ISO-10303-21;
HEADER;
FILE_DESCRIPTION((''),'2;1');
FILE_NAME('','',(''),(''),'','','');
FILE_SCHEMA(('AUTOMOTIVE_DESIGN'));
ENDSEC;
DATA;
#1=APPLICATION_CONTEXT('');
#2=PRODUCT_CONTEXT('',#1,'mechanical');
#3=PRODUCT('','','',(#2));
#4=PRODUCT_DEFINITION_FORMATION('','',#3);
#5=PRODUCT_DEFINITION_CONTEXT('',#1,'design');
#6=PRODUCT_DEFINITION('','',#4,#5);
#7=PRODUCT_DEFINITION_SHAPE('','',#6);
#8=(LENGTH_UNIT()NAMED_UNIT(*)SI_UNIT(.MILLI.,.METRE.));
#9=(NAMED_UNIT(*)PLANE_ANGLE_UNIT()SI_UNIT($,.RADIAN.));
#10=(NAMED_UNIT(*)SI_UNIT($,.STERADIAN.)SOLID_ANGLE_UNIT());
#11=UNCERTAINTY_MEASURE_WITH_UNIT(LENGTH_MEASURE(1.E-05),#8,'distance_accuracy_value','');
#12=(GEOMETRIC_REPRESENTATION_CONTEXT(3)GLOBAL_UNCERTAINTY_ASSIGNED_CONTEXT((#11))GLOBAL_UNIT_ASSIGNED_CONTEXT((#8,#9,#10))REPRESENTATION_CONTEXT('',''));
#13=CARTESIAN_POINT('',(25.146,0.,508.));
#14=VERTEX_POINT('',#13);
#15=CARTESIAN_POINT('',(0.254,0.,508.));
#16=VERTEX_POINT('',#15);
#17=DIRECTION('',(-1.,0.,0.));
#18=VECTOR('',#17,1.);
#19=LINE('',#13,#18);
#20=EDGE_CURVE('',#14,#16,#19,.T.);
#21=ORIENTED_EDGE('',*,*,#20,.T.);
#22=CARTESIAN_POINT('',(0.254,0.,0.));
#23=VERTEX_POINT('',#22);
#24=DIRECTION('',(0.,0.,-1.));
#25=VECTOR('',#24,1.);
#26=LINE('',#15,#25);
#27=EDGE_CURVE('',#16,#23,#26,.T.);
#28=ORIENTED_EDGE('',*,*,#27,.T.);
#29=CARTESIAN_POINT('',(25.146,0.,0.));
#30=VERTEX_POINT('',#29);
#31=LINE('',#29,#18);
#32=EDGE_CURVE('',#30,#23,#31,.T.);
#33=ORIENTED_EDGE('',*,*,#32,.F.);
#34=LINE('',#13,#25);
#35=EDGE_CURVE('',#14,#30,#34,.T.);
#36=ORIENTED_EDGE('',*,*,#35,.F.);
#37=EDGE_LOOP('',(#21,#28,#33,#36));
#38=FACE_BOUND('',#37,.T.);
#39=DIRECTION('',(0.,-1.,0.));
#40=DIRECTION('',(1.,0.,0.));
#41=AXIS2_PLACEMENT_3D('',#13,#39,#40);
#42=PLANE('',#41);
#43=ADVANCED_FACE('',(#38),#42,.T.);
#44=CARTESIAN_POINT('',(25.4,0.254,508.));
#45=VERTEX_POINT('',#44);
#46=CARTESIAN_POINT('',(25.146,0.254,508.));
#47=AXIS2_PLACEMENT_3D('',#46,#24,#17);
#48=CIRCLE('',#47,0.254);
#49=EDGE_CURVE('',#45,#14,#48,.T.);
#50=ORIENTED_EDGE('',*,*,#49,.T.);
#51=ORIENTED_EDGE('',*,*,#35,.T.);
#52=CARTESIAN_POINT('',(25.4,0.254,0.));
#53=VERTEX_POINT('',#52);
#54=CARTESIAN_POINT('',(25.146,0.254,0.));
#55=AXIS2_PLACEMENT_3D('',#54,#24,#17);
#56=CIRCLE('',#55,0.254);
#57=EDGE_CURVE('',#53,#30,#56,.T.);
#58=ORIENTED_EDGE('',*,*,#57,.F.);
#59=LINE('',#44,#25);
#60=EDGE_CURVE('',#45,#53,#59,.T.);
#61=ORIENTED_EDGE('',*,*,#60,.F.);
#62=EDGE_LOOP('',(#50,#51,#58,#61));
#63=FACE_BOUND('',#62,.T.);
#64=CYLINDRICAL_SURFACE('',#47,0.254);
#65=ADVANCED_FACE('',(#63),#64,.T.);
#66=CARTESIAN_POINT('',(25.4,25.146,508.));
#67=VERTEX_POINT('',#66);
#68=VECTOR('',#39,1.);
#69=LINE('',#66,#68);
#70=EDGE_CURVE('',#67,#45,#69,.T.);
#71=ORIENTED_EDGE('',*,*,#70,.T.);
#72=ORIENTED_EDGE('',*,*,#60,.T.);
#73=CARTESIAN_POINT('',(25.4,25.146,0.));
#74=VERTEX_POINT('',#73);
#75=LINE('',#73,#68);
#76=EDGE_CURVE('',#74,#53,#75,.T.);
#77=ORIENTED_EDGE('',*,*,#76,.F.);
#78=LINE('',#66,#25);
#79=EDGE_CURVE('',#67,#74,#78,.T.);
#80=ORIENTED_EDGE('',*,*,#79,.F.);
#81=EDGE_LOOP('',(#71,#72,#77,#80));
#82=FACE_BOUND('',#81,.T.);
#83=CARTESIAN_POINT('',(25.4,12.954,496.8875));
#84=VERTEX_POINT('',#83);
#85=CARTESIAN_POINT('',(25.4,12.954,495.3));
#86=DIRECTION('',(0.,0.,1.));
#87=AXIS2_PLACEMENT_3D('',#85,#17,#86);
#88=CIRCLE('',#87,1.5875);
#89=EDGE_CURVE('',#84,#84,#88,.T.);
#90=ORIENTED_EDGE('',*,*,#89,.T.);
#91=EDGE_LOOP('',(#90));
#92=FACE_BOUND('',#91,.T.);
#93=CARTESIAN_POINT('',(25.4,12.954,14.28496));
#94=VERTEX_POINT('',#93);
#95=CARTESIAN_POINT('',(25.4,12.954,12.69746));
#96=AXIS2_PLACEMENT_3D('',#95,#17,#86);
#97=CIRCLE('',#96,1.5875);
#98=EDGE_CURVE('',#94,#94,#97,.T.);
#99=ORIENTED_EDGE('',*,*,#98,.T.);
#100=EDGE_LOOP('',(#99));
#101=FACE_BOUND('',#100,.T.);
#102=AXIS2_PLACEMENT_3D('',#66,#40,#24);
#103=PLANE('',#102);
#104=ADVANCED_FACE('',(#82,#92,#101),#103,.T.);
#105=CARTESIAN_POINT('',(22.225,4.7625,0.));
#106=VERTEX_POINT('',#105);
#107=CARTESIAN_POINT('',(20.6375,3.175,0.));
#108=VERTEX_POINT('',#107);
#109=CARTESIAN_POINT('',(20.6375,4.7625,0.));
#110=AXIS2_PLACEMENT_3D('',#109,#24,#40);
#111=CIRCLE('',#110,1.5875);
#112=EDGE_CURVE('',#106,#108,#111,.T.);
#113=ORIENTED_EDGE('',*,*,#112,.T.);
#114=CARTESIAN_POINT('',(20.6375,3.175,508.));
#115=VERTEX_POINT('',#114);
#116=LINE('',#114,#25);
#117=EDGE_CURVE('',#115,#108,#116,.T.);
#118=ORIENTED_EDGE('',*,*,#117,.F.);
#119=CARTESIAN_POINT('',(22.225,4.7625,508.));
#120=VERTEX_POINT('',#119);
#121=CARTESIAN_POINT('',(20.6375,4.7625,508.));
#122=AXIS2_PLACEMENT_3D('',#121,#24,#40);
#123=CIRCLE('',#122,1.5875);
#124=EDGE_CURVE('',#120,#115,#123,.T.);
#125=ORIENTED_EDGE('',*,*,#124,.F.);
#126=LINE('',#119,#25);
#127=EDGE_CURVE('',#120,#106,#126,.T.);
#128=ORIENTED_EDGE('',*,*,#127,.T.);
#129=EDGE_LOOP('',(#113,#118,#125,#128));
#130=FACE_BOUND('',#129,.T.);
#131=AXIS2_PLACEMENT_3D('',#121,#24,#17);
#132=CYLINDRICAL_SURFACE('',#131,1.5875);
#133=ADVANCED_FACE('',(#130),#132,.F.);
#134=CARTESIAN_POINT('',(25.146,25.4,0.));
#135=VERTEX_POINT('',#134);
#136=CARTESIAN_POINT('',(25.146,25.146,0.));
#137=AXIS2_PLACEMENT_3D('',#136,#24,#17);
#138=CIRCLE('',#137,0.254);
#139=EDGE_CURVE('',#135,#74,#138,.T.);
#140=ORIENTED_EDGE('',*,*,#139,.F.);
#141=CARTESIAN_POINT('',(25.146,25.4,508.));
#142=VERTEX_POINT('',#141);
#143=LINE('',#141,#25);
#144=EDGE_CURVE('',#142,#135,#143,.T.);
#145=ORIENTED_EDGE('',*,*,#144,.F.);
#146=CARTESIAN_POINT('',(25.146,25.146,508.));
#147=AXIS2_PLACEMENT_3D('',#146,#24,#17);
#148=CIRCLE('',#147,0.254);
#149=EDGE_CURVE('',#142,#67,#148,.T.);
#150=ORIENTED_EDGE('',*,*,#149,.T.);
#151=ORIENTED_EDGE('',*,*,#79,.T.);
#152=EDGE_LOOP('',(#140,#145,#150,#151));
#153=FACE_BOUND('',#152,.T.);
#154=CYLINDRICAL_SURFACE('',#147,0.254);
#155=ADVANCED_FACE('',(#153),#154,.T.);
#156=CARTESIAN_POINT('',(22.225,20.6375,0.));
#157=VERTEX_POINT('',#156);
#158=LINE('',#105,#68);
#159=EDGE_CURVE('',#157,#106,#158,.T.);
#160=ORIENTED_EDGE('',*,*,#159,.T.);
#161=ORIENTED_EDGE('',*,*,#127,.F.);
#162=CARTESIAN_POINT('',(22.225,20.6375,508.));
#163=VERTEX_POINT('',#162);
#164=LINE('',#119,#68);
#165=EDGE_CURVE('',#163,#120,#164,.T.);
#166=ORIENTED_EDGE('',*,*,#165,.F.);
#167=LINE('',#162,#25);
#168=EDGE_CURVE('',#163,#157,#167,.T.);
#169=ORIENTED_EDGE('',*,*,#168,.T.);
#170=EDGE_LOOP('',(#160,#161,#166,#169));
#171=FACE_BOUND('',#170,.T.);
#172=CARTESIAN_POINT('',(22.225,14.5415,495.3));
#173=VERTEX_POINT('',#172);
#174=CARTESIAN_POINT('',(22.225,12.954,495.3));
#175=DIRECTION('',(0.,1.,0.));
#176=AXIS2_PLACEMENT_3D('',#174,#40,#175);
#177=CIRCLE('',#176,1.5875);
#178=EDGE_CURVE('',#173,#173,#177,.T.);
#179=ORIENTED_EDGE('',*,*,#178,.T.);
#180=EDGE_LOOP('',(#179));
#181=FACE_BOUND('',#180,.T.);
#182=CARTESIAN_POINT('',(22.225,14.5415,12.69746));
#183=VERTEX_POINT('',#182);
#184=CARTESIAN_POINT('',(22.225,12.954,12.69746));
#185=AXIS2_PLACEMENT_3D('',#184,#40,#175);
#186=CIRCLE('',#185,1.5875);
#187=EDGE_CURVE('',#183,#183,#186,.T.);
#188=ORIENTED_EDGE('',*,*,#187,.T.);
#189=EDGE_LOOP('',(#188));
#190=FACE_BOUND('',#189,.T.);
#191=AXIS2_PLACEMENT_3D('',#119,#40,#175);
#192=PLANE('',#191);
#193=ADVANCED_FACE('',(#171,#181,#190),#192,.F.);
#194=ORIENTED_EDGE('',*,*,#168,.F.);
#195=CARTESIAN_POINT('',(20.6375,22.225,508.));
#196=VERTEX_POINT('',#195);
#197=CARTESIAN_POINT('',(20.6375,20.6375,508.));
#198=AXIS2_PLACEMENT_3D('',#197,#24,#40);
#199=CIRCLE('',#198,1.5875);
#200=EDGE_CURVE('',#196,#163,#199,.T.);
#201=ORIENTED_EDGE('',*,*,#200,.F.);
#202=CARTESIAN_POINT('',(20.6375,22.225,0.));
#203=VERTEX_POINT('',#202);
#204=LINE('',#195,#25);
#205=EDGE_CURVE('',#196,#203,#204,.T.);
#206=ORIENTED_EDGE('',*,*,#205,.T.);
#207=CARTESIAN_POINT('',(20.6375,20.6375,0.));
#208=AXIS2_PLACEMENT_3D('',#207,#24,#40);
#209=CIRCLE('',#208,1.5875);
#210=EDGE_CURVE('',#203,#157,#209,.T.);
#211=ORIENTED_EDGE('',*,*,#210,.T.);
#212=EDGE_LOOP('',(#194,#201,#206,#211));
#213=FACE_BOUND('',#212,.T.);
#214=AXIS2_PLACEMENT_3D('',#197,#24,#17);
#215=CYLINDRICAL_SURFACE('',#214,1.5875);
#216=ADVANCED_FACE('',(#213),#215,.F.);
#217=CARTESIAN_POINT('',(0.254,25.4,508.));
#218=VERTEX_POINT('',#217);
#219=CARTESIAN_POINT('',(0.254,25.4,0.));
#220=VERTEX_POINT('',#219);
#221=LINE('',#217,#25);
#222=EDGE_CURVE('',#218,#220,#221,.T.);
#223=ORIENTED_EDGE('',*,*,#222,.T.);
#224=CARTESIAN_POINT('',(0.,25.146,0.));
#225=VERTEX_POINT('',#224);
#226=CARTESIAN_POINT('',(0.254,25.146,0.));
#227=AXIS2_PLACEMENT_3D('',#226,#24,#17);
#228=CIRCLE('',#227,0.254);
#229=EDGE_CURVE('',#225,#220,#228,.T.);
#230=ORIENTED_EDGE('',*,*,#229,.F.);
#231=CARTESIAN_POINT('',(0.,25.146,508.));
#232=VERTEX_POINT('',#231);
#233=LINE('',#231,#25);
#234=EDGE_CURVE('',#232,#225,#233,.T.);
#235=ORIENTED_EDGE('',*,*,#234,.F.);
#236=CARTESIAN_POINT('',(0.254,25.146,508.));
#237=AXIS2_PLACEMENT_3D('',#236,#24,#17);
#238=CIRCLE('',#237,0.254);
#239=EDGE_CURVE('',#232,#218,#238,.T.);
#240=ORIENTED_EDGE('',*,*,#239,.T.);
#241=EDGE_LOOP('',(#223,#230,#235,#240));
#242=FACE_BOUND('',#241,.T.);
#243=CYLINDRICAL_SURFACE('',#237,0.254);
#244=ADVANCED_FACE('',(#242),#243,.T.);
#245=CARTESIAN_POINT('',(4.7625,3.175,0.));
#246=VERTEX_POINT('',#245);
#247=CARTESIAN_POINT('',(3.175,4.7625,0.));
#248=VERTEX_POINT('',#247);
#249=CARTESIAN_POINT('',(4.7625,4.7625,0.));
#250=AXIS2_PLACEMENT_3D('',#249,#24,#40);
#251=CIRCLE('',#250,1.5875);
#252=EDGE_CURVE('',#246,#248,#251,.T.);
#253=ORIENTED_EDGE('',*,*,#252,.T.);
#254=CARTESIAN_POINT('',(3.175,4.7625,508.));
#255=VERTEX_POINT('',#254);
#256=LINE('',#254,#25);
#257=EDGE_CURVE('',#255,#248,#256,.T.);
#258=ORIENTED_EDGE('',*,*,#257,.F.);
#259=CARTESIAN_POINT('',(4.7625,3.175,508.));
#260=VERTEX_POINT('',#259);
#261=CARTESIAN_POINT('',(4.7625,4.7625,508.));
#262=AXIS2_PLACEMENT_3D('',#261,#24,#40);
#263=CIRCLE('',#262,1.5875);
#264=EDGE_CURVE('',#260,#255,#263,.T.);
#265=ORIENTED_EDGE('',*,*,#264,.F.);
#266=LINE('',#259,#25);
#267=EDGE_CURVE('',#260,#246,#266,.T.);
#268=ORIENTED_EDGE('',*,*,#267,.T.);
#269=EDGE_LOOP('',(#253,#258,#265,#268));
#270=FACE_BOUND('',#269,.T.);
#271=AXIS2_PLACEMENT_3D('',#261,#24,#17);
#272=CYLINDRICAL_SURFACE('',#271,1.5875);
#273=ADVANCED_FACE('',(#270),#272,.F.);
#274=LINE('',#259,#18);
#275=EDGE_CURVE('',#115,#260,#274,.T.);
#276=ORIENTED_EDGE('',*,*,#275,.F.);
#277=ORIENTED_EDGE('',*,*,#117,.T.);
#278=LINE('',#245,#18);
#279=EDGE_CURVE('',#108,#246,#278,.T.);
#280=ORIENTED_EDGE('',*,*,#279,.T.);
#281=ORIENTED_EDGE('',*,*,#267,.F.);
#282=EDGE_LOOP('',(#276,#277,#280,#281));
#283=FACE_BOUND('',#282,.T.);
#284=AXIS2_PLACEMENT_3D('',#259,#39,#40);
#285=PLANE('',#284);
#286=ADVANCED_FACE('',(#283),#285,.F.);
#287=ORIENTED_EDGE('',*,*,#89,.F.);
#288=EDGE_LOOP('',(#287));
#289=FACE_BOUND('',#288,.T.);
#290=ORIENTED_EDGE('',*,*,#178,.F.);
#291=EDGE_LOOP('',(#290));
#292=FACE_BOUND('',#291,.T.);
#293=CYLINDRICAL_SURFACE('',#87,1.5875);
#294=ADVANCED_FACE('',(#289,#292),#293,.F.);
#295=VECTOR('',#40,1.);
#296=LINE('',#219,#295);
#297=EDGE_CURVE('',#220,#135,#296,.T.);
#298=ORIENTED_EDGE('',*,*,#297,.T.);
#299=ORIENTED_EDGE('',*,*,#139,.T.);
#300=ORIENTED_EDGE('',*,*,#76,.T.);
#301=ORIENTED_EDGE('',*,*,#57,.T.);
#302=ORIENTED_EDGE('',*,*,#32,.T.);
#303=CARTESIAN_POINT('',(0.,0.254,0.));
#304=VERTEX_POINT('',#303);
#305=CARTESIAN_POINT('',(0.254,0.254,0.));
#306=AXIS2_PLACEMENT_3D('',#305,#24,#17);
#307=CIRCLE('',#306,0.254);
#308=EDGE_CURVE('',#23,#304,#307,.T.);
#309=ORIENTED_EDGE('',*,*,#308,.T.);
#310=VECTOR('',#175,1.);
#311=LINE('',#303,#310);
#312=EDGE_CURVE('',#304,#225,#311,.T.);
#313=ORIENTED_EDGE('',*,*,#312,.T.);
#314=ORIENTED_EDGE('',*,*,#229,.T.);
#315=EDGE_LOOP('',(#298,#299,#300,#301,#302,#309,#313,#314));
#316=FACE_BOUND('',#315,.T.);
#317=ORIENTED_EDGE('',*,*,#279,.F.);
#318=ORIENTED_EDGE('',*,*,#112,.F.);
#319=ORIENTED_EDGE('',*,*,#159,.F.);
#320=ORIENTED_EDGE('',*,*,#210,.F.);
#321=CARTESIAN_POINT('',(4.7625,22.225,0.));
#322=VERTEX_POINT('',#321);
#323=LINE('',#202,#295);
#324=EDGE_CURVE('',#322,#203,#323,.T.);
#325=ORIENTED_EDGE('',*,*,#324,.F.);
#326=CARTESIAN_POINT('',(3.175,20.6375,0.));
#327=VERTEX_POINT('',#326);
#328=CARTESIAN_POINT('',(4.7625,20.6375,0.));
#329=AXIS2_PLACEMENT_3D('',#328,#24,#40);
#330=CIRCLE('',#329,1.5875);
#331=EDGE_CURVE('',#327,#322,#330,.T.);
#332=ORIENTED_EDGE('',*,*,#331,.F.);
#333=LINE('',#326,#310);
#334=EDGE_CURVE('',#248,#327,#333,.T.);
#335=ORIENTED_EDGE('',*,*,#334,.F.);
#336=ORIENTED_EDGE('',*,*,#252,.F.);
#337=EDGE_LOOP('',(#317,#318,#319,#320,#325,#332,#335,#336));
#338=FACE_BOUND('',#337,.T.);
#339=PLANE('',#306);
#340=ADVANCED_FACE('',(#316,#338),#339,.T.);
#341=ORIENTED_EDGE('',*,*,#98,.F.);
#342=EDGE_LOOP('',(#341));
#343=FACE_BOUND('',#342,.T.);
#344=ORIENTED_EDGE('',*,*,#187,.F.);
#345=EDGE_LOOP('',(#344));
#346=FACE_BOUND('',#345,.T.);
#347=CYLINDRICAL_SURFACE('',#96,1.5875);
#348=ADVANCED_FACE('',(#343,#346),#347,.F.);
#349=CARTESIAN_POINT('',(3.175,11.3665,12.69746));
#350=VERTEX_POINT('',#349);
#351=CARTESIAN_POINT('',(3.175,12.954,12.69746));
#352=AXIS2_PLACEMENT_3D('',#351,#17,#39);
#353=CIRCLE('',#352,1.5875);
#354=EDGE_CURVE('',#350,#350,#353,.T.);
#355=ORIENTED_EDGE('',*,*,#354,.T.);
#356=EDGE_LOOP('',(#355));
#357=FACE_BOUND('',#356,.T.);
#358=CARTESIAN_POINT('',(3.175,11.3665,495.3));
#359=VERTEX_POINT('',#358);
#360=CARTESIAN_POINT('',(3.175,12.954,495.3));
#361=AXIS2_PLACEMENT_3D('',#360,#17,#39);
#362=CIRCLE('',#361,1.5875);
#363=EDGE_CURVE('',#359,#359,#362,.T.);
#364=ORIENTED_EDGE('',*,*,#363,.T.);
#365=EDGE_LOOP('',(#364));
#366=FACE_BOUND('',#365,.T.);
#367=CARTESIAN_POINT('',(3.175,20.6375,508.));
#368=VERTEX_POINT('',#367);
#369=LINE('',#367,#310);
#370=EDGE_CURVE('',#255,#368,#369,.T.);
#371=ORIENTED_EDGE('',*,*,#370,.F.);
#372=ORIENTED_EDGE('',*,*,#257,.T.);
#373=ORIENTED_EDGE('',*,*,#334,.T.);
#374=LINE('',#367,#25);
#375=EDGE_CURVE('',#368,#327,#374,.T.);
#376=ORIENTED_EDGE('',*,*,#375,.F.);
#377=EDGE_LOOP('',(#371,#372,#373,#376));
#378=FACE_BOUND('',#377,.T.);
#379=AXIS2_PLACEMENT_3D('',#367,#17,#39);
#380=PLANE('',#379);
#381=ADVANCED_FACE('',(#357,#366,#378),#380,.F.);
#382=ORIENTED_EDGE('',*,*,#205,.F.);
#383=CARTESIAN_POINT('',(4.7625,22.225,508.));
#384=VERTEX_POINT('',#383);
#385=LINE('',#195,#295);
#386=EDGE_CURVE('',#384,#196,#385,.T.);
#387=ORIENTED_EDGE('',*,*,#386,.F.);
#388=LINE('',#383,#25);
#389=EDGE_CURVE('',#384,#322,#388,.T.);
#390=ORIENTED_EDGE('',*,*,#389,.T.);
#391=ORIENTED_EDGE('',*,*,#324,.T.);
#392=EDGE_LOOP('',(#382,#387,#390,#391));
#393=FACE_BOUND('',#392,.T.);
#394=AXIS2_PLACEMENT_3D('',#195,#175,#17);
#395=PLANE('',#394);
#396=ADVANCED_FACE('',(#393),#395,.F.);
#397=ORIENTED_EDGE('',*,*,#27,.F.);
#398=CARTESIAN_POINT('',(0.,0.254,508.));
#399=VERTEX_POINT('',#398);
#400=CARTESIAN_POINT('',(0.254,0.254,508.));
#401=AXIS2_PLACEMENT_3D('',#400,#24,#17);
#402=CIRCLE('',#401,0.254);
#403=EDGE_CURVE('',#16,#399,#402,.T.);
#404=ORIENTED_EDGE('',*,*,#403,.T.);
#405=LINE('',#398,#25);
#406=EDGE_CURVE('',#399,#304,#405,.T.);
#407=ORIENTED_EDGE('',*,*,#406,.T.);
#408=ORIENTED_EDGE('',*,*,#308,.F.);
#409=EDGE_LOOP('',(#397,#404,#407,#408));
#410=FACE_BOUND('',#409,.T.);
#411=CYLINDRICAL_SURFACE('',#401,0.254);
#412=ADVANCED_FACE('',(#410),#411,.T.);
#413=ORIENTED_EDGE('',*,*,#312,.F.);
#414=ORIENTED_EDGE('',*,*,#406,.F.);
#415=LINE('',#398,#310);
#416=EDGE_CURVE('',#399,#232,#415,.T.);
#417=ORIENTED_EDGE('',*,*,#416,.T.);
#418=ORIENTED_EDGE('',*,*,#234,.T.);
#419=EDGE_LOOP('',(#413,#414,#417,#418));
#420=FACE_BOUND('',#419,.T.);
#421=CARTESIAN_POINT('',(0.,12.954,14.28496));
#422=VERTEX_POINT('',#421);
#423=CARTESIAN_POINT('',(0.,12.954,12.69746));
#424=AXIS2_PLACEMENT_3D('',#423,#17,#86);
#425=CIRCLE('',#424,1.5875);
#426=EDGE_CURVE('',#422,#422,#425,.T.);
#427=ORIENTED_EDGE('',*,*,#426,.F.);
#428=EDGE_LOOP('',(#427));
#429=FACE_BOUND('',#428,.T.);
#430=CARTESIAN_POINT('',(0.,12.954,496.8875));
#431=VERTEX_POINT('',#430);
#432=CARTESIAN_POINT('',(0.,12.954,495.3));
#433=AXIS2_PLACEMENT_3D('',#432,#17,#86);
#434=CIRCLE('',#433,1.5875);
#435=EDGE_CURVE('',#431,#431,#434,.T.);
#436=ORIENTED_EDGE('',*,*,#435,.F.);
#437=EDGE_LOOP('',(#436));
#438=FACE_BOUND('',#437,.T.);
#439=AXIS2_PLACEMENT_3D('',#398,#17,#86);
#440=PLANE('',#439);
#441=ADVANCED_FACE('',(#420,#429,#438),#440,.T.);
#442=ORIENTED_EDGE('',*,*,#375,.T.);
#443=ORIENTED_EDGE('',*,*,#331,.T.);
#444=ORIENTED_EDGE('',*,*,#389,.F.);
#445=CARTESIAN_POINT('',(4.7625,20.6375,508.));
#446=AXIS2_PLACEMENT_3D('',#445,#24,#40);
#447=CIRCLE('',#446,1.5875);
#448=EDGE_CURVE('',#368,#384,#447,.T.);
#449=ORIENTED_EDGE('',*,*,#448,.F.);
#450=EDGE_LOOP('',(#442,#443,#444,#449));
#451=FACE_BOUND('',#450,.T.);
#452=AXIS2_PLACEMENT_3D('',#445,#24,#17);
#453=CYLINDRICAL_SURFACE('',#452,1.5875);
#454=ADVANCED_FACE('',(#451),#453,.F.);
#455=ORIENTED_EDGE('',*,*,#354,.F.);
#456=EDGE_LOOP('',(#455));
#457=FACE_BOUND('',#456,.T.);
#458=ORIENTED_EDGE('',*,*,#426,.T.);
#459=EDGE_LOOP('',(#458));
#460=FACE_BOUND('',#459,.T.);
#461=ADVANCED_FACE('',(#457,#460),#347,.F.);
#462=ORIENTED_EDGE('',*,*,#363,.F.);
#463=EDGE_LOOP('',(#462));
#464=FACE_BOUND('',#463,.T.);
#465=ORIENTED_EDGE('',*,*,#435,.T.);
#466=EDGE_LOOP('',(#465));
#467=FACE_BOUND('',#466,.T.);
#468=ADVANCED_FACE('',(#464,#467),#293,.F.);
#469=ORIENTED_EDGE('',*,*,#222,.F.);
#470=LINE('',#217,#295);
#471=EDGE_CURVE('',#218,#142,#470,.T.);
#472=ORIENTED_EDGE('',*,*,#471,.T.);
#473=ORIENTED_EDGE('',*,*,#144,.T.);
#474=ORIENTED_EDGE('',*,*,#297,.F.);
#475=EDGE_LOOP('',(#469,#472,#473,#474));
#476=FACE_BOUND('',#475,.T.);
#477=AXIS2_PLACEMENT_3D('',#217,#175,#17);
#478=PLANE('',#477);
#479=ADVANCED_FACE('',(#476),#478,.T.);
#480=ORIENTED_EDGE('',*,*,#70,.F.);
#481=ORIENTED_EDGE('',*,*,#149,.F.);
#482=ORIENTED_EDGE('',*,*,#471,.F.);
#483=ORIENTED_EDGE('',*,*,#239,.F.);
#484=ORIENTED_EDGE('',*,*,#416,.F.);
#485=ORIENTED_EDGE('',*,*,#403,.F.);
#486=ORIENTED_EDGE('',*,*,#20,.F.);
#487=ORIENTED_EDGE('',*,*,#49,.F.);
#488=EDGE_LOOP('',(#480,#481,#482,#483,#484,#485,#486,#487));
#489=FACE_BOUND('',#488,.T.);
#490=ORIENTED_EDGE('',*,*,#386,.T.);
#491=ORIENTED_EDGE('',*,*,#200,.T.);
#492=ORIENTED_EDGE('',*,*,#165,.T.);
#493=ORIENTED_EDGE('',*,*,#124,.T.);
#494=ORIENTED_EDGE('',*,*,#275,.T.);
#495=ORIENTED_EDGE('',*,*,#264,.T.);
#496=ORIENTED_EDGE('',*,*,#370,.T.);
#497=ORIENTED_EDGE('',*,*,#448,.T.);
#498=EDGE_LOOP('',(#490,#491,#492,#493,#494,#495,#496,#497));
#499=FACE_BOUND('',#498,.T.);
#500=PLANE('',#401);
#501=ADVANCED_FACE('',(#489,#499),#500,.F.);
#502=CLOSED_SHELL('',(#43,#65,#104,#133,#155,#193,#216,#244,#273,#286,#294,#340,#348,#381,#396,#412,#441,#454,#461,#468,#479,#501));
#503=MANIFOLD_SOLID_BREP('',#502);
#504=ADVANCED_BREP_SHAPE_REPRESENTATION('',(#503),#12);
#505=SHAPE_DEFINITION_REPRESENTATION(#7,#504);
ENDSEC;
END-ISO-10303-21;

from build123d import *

# Parameters (mm, degrees)
BOSS_EXTRUDE1_DEPTH = 508
SKETCH2_R           = 1.5875
CUT_EXTRUDE1_DEPTH  = 26.4


with BuildPart() as part:
    # Sketch1 → Boss-Extrude1 (new body)
    with BuildSketch(Plane(origin=(0, 0, 0), x_dir=(-1, 0, 0), z_dir=(0, 0, -1))):
        with BuildLine():
            Line((0, 0.254), (0, 25.146))
            ThreePointArc((0, 25.146), (-0.074394878, 25.325605122), (-0.254, 25.4))
            Line((-0.254, 25.4), (-25.146, 25.4))
            ThreePointArc((-25.146, 25.4), (-25.325605122, 25.325605122), (-25.4, 25.146))
            Line((-25.4, 25.146), (-25.4, 0.254))
            ThreePointArc((-25.4, 0.254), (-25.325605122, 0.074394878), (-25.146, 0))
            Line((-25.146, 0), (-0.254, 0))
            ThreePointArc((-0.254, 0), (-0.074394878, 0.074394878), (0, 0.254))
        make_face()
        with BuildLine():
            Line((-3.175, 20.6375), (-3.175, 4.7625))
            ThreePointArc((-3.175, 4.7625), (-3.639967985, 3.639967985), (-4.7625, 3.175))
            Line((-4.7625, 3.175), (-20.6375, 3.175))
            ThreePointArc((-20.6375, 3.175), (-21.760032015, 3.639967985), (-22.225, 4.7625))
            Line((-22.225, 4.7625), (-22.225, 20.6375))
            ThreePointArc((-22.225, 20.6375), (-21.760032015, 21.760032015), (-20.6375, 22.225))
            Line((-20.6375, 22.225), (-4.7625, 22.225))
            ThreePointArc((-4.7625, 22.225), (-3.639967985, 21.760032015), (-3.175, 20.6375))
        make_face(mode=Mode.SUBTRACT)
    extrude(amount=-BOSS_EXTRUDE1_DEPTH)

    # Sketch2 → Cut-Extrude1 (cut, through all)
    with BuildSketch(Plane.ZY):
        with Locations((12.697459746, 12.954)):
            Circle(SKETCH2_R)
        with Locations((495.3, 12.954)):
            Circle(SKETCH2_R)
    extrude(amount=-CUT_EXTRUDE1_DEPTH, mode=Mode.SUBTRACT)


solid = part.part
